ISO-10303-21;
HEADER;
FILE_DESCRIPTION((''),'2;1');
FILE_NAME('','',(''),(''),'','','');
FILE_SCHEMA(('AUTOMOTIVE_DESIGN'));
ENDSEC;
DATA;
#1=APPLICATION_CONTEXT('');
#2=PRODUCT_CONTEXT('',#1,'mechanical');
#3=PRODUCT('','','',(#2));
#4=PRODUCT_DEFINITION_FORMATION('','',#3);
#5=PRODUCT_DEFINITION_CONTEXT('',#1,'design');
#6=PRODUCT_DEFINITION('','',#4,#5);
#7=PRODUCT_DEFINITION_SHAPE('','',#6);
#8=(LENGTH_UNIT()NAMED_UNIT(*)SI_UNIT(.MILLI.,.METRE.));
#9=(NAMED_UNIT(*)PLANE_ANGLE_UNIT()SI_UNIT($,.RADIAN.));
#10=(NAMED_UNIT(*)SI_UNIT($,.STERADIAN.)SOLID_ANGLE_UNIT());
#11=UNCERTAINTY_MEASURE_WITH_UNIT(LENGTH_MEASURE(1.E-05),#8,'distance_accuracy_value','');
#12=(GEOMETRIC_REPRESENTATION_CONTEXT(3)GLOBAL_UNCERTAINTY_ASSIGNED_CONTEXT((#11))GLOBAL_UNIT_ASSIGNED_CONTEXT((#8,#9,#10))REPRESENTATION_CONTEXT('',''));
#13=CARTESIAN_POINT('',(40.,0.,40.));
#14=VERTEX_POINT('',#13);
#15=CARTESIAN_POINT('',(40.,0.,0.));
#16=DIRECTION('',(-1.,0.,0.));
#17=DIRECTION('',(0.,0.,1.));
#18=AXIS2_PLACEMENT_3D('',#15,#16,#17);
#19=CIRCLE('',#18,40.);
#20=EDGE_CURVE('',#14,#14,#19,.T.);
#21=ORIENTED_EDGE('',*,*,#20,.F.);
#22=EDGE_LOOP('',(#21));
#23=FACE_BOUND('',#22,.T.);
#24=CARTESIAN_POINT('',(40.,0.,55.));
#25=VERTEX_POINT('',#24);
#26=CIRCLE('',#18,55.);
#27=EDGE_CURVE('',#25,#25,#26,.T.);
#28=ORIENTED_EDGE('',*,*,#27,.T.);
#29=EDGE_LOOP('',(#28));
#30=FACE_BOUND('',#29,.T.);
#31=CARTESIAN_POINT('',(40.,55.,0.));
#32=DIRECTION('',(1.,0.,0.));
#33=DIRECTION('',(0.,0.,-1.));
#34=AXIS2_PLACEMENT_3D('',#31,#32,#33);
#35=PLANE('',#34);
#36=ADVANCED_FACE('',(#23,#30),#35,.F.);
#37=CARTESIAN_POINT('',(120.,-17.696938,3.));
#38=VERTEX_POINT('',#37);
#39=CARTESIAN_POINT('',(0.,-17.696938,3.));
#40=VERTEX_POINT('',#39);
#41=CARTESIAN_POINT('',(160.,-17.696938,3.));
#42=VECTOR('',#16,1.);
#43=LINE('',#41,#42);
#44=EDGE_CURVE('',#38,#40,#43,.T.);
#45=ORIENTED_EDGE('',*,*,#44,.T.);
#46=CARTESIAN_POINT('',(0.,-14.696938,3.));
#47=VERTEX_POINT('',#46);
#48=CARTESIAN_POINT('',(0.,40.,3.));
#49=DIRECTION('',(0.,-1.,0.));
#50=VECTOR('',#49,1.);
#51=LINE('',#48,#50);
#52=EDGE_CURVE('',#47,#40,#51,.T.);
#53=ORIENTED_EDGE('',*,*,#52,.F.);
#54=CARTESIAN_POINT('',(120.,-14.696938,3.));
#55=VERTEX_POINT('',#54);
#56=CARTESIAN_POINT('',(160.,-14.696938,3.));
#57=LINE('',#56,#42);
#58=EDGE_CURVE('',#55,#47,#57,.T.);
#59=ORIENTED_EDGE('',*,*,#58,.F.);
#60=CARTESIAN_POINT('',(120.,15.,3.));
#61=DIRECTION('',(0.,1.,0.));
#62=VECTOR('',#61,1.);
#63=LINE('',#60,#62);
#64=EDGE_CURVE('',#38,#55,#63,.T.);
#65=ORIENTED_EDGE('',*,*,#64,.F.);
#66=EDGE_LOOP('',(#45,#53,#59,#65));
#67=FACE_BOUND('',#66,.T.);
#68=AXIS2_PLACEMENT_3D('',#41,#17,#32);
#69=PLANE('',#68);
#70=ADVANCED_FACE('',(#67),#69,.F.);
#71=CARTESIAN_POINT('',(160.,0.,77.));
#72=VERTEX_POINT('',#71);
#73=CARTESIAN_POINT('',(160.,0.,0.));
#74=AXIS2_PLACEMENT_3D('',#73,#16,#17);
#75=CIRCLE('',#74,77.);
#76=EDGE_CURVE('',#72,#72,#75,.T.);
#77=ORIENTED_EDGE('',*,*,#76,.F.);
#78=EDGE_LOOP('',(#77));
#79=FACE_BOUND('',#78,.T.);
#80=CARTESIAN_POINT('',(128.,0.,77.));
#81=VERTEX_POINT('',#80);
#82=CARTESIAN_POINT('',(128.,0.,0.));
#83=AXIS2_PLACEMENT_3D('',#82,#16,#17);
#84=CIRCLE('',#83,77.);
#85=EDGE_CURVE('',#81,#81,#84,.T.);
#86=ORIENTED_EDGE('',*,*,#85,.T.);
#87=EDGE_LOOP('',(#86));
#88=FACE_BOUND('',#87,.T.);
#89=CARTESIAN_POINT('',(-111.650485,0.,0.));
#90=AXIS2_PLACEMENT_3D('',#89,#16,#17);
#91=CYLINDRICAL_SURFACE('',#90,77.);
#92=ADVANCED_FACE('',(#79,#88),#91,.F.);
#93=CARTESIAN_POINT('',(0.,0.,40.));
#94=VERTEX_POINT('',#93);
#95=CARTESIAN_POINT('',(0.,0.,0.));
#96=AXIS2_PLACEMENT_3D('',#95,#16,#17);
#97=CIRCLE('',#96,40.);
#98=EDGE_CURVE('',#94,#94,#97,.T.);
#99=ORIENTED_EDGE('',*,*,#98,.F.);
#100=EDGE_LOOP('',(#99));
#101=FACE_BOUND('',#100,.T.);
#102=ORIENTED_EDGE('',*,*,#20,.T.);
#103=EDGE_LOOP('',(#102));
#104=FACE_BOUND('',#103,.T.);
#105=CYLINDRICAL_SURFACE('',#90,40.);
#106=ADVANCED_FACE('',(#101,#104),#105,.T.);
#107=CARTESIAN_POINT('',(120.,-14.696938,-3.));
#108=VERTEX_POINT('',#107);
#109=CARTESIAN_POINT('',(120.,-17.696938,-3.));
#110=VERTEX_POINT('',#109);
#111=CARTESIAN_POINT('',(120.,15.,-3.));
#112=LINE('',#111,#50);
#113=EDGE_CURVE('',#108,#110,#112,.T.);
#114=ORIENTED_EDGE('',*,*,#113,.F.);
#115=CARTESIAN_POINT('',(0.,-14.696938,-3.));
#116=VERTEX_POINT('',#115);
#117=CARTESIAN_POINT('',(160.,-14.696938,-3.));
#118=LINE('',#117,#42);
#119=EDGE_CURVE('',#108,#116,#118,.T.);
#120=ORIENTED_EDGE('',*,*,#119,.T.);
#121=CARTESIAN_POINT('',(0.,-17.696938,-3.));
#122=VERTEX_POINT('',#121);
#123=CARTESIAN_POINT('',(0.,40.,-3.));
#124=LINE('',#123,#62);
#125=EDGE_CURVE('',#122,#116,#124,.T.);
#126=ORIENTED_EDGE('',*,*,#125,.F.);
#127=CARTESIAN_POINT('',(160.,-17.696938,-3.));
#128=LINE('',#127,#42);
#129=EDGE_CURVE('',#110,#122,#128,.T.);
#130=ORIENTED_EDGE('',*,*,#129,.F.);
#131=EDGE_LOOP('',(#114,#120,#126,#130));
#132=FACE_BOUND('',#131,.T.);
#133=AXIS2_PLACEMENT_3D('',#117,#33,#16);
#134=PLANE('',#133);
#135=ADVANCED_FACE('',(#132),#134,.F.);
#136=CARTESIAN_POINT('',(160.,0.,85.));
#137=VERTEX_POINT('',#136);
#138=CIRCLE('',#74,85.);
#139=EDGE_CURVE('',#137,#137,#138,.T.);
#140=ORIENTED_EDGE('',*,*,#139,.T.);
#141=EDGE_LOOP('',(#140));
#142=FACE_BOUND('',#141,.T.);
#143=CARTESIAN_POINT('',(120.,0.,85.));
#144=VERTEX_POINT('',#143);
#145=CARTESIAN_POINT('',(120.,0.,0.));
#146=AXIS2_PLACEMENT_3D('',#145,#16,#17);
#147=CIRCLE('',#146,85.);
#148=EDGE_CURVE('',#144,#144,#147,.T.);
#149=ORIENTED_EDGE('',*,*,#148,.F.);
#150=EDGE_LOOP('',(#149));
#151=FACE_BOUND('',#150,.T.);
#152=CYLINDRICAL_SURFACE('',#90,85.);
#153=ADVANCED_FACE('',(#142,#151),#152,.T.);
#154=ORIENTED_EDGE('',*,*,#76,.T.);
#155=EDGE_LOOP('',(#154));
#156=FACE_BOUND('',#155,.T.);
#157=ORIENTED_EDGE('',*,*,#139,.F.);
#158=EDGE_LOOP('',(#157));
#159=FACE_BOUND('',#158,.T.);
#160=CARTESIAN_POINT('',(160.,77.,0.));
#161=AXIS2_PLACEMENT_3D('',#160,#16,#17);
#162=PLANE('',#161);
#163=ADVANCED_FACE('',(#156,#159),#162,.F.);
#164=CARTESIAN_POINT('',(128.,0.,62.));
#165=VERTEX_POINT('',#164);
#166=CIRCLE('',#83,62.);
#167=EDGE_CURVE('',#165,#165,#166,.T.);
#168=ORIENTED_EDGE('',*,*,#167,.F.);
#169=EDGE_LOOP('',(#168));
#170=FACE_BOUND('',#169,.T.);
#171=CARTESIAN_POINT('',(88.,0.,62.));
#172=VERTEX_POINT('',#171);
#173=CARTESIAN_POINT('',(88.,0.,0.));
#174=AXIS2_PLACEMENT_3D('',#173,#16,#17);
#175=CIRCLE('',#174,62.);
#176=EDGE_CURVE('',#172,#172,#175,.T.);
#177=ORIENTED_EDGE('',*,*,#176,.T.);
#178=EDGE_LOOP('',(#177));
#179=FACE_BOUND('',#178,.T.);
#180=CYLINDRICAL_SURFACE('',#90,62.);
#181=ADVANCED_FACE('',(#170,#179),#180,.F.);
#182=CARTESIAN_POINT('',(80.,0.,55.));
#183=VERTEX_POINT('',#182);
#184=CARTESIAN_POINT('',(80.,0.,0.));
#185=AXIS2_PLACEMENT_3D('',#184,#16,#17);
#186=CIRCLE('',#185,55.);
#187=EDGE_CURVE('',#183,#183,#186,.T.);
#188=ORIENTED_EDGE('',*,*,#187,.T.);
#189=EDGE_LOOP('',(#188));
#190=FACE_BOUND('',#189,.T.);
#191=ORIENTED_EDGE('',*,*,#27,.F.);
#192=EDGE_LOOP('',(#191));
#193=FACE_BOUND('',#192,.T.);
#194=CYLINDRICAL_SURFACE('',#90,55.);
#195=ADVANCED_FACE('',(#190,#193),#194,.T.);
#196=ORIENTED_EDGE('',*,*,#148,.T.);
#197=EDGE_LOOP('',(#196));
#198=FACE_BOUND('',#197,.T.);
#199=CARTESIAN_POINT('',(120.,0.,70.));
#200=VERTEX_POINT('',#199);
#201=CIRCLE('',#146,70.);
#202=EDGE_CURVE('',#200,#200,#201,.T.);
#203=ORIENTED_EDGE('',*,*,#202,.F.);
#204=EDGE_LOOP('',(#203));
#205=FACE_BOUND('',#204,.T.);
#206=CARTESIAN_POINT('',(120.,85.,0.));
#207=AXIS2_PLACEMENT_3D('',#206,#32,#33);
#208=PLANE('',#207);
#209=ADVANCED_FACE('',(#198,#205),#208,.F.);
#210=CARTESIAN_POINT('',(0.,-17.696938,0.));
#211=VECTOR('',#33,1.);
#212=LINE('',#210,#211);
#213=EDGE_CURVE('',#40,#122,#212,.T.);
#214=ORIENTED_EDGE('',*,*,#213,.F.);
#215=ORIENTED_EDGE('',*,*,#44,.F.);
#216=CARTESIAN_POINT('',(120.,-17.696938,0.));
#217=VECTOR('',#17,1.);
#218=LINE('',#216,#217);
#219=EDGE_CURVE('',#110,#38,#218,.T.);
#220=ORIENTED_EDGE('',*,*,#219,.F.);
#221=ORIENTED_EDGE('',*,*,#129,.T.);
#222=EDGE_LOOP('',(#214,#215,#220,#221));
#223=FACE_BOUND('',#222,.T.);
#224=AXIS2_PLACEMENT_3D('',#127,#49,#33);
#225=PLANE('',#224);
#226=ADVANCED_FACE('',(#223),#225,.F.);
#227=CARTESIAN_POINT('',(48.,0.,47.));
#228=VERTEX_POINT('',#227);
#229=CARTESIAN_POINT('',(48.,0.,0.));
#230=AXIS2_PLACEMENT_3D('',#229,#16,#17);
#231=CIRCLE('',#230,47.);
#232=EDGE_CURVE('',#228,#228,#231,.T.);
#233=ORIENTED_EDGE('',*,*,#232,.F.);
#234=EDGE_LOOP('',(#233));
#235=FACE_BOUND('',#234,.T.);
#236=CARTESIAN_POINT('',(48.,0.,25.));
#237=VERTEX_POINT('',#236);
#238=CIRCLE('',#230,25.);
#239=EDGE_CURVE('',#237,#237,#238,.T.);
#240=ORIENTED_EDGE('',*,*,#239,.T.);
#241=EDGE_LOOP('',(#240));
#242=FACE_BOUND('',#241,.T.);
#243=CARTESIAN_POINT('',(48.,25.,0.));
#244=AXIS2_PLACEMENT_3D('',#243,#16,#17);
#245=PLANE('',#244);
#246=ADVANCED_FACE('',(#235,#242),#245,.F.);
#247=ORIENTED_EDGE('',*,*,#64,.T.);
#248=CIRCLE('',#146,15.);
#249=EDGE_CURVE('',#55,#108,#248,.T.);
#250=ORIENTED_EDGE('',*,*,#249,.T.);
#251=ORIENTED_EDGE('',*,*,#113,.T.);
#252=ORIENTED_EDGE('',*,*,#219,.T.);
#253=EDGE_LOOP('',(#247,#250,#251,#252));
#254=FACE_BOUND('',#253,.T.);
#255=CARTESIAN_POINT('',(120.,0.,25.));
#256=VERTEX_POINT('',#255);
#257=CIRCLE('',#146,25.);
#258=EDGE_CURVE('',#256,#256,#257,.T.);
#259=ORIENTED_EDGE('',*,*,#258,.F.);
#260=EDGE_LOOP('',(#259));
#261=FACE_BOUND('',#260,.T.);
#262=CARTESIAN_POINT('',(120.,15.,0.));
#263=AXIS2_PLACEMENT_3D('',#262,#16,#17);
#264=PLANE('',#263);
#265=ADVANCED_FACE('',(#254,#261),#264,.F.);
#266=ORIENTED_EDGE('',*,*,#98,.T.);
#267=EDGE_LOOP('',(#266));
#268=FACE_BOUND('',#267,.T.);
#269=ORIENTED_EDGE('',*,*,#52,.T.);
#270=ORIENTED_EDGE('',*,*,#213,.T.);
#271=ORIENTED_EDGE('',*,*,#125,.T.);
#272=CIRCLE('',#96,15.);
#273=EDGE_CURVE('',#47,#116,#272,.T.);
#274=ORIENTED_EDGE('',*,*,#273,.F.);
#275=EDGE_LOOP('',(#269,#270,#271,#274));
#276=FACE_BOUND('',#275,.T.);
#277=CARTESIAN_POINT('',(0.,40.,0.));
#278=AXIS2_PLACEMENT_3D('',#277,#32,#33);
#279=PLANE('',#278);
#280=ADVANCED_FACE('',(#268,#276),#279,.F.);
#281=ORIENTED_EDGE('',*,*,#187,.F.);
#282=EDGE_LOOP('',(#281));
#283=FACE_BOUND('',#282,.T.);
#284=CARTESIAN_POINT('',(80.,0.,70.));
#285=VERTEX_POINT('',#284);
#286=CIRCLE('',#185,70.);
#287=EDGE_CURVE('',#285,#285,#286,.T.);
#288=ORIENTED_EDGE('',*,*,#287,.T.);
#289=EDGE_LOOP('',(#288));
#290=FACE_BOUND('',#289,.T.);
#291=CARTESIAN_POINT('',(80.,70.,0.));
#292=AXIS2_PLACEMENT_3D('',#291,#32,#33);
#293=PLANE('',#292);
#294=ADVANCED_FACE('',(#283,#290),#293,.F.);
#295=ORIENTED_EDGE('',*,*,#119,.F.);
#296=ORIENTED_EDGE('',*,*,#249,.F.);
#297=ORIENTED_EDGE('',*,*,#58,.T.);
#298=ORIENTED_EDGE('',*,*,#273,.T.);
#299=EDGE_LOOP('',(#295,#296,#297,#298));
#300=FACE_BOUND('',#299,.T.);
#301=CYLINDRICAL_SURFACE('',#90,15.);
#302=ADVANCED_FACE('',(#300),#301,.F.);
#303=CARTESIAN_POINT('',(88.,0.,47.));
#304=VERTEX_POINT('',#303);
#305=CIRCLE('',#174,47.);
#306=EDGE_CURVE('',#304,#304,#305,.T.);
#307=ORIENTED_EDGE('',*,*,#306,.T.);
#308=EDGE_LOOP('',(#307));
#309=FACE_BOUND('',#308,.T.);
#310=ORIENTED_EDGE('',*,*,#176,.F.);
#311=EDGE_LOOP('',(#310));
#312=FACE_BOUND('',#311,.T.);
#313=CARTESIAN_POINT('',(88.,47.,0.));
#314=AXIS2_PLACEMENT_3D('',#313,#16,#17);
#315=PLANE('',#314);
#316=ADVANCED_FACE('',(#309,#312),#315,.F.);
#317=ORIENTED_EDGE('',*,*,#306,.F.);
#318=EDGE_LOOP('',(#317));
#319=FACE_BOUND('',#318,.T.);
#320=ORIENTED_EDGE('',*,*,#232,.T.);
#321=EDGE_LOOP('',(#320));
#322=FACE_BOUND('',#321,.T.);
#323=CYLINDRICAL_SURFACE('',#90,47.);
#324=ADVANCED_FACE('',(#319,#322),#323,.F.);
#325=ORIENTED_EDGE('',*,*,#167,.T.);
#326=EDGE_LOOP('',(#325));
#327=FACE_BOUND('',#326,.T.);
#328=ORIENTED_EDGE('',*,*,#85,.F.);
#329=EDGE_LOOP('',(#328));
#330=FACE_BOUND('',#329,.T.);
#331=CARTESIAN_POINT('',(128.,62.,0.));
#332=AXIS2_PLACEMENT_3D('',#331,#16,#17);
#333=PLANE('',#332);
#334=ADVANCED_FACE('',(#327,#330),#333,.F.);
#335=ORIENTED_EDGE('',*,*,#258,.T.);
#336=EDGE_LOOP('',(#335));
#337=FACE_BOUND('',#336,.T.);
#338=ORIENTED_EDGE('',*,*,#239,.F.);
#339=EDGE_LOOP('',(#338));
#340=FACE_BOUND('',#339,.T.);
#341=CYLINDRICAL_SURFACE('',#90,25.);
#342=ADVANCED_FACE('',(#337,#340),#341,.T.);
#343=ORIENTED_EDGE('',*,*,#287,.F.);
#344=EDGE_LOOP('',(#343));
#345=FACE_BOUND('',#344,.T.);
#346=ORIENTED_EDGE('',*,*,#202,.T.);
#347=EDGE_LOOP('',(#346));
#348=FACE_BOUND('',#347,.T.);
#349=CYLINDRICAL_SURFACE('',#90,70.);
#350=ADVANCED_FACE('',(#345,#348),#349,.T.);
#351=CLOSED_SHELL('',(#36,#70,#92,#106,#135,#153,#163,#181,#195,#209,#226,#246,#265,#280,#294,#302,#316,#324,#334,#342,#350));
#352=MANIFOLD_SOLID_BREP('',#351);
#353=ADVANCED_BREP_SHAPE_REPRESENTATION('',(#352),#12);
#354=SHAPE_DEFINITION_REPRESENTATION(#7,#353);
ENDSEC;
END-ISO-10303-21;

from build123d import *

# Parameters (mm, degrees)
CUT_EXTRUDE1_DEPTH      = 201.124960962
CUT_EXTRUDE1_DEPTH_BACK = 201.124960962


with BuildPart() as part:
    # Sketch2 → Revolve1 (revolve)
    with BuildSketch(Plane.XY, mode=Mode.PRIVATE) as revolve1_sk:
        Polygon((0, 15), (120, 15), (120, 25), (48, 25), (48, 47), (88, 47), (88, 62), (128, 62), (128, 77), (160, 77), (160, 85), (120, 85), (120, 70), (80, 70), (80, 55), (40, 55), (40, 40), (0, 40), align=None)
    revolve(revolve1_sk.sketch.rotate(Axis((-111.650485437, 0, 0), (1, 0, 0)), 90), axis=Axis((-111.650485437, 0, 0), (1, 0, 0)))

    # Sketch3 → Cut-Extrude1 (cut, two sides: drawn at the far end of the back side and taken through both)
    with BuildSketch(Plane.ZY.offset(-CUT_EXTRUDE1_DEPTH_BACK)):
        with BuildLine():
            Line((-3, -14.696938457), (-3, -17.696938457))
            Line((-3, -17.696938457), (3, -17.696938457))
            Line((3, -17.696938457), (3, -14.696938457))
            ThreePointArc((3, -14.696938457), (0, 15), (-3, -14.696938457))
        make_face()
    extrude(amount=CUT_EXTRUDE1_DEPTH + CUT_EXTRUDE1_DEPTH_BACK, mode=Mode.SUBTRACT)


solid = part.part
